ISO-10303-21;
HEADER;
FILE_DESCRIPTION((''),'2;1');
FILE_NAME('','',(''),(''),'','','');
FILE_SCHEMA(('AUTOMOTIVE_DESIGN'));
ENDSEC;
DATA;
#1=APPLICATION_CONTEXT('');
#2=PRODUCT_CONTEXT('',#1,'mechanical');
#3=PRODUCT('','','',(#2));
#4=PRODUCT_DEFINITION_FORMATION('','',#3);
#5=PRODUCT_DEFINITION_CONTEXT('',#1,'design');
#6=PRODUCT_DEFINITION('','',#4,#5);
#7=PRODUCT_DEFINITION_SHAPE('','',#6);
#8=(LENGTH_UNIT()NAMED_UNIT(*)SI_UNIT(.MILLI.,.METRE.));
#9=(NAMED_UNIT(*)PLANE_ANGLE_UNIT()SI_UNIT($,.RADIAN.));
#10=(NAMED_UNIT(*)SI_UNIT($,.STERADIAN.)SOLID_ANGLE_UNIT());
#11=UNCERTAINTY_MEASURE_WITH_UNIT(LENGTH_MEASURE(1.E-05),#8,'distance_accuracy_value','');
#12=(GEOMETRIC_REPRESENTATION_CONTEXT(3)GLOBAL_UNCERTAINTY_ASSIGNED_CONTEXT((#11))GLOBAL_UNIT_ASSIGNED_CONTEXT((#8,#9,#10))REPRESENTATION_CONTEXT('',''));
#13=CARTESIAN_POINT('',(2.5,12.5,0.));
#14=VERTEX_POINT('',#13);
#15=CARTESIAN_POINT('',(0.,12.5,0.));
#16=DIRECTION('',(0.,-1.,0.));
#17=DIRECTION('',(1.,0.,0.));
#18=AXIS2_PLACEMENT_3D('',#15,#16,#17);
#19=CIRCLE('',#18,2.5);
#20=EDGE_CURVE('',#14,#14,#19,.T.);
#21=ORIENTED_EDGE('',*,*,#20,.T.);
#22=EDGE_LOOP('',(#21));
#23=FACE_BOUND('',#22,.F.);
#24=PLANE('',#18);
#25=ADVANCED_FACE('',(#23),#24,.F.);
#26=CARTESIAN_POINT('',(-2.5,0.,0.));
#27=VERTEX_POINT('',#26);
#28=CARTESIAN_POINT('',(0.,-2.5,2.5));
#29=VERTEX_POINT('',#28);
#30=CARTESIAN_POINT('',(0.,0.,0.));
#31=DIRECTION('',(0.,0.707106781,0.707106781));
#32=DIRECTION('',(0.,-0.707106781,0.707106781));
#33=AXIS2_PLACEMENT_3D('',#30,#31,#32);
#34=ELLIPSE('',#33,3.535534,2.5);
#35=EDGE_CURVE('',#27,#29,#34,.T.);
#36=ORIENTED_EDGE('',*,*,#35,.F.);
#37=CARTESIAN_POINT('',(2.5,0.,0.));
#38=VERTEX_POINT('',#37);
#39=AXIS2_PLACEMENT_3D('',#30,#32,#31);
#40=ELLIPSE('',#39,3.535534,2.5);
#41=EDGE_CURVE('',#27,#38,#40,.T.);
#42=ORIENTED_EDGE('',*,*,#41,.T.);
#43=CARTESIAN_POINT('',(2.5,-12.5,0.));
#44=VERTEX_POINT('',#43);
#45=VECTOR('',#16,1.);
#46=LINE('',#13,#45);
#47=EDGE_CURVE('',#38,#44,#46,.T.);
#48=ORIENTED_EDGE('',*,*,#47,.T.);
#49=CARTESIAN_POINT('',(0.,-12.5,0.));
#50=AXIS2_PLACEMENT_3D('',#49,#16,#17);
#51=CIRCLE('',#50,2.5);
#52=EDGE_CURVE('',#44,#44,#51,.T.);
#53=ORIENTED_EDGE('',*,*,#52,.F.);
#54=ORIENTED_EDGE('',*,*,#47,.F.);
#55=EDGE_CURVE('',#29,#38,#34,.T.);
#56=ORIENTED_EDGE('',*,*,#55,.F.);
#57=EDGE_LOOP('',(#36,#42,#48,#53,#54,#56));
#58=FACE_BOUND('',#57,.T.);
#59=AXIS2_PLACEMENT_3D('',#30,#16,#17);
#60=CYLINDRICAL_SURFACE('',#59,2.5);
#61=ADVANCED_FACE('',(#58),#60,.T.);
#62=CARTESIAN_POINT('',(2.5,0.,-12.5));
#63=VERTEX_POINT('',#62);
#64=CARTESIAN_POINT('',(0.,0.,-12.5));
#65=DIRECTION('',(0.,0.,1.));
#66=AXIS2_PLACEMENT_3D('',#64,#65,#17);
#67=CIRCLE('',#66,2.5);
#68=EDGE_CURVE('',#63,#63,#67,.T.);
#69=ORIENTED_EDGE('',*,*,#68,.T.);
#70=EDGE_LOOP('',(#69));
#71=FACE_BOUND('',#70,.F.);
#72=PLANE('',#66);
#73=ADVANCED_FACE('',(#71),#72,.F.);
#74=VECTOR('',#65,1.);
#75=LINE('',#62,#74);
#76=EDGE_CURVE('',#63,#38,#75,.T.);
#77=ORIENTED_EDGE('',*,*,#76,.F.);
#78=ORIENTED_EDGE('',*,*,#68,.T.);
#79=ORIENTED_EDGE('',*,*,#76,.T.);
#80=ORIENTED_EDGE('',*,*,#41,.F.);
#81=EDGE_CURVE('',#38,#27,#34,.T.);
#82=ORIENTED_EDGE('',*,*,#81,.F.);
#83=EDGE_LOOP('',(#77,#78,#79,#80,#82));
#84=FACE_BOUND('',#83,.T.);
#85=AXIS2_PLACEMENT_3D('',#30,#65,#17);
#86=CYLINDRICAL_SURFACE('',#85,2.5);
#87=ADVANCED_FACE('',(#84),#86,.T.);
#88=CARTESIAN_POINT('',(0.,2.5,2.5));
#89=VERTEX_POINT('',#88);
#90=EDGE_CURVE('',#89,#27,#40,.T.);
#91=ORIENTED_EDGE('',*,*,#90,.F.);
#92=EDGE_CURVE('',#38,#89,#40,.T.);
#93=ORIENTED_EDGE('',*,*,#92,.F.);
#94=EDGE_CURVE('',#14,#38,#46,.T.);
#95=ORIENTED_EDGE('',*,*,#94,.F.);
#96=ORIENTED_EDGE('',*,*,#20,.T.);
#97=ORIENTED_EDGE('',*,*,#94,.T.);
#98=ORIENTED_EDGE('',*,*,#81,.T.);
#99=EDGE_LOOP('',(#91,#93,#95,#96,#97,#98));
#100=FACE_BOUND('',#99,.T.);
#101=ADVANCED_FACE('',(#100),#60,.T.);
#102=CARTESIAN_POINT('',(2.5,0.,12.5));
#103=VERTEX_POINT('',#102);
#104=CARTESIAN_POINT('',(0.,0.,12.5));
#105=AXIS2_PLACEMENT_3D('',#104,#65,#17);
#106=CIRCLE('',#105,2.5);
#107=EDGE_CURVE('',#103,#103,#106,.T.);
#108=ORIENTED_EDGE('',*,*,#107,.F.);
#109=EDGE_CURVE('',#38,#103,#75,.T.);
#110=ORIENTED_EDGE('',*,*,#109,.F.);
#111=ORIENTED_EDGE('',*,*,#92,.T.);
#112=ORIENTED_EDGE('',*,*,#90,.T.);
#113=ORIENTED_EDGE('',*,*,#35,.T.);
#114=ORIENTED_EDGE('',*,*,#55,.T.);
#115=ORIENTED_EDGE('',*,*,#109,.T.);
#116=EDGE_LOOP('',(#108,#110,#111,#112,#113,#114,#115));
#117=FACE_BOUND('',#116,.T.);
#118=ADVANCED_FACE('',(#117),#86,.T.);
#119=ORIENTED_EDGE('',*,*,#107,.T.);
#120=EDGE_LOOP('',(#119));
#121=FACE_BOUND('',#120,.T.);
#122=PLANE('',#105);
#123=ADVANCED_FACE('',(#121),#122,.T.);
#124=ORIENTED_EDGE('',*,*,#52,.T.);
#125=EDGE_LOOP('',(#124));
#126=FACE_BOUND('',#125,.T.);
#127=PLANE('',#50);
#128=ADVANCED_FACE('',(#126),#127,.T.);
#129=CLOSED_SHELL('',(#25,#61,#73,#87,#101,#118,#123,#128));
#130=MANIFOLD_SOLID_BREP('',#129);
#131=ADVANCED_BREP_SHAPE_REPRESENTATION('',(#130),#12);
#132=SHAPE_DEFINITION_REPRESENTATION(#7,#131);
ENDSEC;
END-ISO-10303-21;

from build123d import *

# Parameters (mm, degrees)
F0_R     = 2.5
F1_DEPTH = 12.5
F2_R     = 2.5
F3_DEPTH = 12.5


with BuildPart() as f1:
    # F0 (on Top) → F1 (new body, symmetric)
    with BuildSketch(Plane.XY):
        Circle(F0_R)
    extrude(amount=F1_DEPTH, both=True)

    # F2 (on Front) → F3 (join, symmetric)
    with BuildSketch(Plane.XZ):
        Circle(F2_R)
    extrude(amount=F3_DEPTH, both=True)


solid = f1.part
